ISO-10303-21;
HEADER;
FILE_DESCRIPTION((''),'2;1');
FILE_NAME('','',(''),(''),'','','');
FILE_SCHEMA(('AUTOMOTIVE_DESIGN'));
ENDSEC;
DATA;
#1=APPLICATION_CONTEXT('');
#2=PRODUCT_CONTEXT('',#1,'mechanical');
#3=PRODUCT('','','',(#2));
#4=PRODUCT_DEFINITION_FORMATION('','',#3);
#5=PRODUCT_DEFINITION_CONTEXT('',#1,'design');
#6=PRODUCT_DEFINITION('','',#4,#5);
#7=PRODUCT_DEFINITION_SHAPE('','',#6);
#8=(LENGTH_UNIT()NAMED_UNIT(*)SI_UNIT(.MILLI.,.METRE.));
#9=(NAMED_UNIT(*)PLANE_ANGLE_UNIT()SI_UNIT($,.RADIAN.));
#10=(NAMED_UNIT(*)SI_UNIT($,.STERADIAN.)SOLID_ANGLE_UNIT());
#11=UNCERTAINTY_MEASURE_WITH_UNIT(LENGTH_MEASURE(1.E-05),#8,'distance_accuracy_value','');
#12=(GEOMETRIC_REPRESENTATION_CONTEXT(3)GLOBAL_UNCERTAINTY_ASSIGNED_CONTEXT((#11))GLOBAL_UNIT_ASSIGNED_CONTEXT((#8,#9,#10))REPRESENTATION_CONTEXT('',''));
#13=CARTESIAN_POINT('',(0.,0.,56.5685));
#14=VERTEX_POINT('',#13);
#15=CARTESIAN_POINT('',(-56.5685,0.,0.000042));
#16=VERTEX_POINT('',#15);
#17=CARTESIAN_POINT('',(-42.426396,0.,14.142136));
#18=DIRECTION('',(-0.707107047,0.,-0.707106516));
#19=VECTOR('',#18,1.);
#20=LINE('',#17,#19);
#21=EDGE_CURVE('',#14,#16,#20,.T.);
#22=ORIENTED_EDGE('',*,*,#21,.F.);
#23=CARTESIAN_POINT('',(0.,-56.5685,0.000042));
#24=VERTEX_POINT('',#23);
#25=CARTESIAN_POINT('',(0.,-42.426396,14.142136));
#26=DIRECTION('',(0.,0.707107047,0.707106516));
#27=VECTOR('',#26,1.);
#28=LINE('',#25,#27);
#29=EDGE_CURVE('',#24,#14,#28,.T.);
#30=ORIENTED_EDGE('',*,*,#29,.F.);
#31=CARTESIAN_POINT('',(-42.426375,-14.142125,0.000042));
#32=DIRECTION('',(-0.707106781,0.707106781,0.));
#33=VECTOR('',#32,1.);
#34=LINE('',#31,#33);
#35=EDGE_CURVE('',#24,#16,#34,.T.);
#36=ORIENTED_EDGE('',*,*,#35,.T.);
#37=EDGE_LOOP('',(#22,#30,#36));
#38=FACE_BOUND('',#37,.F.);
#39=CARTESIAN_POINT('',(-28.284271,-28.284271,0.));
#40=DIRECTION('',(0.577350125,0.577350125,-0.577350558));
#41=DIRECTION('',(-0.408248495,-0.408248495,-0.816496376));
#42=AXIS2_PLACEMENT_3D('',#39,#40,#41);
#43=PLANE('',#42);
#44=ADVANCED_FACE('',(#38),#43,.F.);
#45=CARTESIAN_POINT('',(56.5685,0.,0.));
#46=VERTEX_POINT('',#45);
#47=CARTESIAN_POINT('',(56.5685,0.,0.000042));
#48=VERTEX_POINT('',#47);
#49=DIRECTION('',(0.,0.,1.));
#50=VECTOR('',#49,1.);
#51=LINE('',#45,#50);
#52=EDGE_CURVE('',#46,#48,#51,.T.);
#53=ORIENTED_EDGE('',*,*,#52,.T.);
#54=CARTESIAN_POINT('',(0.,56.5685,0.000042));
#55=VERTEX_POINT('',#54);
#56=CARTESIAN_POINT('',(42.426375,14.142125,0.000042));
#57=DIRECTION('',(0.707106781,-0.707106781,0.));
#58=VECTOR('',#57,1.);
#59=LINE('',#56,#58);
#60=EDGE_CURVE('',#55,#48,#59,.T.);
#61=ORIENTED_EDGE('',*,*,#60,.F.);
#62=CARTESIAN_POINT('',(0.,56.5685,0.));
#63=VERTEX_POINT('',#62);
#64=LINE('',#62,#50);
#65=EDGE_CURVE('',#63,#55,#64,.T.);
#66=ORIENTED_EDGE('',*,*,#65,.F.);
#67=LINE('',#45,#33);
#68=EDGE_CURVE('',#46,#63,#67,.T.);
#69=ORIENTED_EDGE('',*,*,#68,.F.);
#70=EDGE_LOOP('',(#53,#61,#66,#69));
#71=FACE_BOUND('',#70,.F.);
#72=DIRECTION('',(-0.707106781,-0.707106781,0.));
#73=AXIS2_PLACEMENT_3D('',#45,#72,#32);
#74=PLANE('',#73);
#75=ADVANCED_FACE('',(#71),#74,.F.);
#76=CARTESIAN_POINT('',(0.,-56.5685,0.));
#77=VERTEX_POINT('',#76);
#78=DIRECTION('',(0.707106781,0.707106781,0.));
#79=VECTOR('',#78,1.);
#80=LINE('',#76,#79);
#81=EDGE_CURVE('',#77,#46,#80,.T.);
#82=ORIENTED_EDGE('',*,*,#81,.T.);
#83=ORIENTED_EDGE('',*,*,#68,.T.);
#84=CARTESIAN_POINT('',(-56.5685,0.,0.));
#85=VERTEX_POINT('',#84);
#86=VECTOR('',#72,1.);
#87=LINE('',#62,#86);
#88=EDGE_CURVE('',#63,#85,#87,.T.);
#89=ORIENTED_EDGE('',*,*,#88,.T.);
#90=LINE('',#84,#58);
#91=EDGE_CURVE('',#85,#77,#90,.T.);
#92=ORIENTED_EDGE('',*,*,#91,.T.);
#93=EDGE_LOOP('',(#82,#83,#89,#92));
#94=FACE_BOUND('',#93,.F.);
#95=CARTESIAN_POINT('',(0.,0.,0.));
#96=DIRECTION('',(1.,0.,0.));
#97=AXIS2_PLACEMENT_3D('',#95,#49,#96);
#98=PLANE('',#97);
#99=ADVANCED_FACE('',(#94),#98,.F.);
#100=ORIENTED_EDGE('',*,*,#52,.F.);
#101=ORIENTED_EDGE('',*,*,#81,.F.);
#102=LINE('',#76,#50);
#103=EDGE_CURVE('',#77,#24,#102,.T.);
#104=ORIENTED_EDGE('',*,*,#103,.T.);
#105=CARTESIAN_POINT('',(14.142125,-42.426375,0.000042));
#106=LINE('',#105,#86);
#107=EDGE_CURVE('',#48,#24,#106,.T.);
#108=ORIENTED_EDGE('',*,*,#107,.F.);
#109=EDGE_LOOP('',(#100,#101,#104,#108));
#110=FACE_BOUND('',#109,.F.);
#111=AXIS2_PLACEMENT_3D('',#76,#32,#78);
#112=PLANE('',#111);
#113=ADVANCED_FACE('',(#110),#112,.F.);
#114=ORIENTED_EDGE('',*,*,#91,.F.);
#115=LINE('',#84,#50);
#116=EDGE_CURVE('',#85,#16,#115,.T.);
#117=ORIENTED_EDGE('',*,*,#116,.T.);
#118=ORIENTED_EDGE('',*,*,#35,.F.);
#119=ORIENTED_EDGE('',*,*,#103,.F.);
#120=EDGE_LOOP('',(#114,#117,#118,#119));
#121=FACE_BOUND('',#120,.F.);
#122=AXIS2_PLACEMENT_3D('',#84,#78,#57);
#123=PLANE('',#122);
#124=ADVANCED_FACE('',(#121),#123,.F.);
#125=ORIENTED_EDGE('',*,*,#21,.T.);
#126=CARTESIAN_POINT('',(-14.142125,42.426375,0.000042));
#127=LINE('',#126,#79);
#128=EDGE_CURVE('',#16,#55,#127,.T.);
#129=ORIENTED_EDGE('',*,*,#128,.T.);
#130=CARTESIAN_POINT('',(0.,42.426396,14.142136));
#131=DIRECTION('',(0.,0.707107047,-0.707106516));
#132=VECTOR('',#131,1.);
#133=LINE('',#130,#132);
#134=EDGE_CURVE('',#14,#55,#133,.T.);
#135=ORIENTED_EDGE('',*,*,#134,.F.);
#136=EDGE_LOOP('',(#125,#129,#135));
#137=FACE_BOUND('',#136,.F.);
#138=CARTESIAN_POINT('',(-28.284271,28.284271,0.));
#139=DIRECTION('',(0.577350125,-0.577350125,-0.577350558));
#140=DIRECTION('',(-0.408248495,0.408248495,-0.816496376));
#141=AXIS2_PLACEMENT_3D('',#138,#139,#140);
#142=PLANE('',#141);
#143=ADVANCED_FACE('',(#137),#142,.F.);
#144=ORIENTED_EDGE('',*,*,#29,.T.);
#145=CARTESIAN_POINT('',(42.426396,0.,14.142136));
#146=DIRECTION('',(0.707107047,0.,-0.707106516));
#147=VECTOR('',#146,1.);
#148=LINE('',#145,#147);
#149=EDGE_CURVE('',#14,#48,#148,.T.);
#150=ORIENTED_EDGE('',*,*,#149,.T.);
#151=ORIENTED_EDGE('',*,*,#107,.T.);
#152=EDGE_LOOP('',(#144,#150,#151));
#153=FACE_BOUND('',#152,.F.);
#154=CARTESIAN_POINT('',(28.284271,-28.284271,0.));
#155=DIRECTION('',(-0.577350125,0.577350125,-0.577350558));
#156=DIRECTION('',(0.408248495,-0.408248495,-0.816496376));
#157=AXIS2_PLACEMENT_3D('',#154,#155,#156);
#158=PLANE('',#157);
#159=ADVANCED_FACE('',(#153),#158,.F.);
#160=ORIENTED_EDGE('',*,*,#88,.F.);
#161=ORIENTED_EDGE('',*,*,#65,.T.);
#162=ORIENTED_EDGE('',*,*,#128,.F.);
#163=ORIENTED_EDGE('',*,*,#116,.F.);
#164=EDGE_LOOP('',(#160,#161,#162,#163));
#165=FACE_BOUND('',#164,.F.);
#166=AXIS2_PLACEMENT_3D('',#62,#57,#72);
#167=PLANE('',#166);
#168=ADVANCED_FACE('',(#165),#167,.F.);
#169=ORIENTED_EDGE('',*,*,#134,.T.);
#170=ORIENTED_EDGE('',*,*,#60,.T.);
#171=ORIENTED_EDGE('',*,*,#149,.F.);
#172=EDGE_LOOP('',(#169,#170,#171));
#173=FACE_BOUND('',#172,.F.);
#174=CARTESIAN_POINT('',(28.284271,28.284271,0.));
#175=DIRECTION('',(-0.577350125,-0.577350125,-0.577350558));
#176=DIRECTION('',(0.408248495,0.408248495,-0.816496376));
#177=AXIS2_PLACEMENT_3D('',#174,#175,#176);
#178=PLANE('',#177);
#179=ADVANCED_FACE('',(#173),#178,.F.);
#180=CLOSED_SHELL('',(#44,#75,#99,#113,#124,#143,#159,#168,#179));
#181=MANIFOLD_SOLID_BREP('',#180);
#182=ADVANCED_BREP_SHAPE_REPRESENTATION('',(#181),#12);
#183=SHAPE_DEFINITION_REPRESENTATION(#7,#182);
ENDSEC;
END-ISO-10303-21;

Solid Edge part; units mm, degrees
sketch "Sketch1" plane through (0, 0, 0) normal (0, 0, 1) x (1, 0, 0)
  line L0 (-56.5685, 0) -> (0, -56.5685)
  line L1 (0, -56.5685) -> (56.5685, 0)
  line L2 (56.5685, 0) -> (0, 56.5685)
  line L3 (0, 56.5685) -> (-56.5685, 0)
extrude "Protrusion1" add sketch "Sketch1" along normal up to vertex (56.5685 mm away)
sketch "Sketch2" plane through (0, 0, 0) normal (0.7071, -0.7071, 0) x (0, 0, -1)
  line L0 (-56.5685, 0) -> (0, -40)
extrude "Cutout1" cut sketch "Sketch2" along normal mid plane 80 material side at (-14.171, -14.171, 28.3131)
pattern_circular "Pattern1" count 4 over 360 about axis through (0, 0, 0) along (0, 0, -1) of "Cutout1"
